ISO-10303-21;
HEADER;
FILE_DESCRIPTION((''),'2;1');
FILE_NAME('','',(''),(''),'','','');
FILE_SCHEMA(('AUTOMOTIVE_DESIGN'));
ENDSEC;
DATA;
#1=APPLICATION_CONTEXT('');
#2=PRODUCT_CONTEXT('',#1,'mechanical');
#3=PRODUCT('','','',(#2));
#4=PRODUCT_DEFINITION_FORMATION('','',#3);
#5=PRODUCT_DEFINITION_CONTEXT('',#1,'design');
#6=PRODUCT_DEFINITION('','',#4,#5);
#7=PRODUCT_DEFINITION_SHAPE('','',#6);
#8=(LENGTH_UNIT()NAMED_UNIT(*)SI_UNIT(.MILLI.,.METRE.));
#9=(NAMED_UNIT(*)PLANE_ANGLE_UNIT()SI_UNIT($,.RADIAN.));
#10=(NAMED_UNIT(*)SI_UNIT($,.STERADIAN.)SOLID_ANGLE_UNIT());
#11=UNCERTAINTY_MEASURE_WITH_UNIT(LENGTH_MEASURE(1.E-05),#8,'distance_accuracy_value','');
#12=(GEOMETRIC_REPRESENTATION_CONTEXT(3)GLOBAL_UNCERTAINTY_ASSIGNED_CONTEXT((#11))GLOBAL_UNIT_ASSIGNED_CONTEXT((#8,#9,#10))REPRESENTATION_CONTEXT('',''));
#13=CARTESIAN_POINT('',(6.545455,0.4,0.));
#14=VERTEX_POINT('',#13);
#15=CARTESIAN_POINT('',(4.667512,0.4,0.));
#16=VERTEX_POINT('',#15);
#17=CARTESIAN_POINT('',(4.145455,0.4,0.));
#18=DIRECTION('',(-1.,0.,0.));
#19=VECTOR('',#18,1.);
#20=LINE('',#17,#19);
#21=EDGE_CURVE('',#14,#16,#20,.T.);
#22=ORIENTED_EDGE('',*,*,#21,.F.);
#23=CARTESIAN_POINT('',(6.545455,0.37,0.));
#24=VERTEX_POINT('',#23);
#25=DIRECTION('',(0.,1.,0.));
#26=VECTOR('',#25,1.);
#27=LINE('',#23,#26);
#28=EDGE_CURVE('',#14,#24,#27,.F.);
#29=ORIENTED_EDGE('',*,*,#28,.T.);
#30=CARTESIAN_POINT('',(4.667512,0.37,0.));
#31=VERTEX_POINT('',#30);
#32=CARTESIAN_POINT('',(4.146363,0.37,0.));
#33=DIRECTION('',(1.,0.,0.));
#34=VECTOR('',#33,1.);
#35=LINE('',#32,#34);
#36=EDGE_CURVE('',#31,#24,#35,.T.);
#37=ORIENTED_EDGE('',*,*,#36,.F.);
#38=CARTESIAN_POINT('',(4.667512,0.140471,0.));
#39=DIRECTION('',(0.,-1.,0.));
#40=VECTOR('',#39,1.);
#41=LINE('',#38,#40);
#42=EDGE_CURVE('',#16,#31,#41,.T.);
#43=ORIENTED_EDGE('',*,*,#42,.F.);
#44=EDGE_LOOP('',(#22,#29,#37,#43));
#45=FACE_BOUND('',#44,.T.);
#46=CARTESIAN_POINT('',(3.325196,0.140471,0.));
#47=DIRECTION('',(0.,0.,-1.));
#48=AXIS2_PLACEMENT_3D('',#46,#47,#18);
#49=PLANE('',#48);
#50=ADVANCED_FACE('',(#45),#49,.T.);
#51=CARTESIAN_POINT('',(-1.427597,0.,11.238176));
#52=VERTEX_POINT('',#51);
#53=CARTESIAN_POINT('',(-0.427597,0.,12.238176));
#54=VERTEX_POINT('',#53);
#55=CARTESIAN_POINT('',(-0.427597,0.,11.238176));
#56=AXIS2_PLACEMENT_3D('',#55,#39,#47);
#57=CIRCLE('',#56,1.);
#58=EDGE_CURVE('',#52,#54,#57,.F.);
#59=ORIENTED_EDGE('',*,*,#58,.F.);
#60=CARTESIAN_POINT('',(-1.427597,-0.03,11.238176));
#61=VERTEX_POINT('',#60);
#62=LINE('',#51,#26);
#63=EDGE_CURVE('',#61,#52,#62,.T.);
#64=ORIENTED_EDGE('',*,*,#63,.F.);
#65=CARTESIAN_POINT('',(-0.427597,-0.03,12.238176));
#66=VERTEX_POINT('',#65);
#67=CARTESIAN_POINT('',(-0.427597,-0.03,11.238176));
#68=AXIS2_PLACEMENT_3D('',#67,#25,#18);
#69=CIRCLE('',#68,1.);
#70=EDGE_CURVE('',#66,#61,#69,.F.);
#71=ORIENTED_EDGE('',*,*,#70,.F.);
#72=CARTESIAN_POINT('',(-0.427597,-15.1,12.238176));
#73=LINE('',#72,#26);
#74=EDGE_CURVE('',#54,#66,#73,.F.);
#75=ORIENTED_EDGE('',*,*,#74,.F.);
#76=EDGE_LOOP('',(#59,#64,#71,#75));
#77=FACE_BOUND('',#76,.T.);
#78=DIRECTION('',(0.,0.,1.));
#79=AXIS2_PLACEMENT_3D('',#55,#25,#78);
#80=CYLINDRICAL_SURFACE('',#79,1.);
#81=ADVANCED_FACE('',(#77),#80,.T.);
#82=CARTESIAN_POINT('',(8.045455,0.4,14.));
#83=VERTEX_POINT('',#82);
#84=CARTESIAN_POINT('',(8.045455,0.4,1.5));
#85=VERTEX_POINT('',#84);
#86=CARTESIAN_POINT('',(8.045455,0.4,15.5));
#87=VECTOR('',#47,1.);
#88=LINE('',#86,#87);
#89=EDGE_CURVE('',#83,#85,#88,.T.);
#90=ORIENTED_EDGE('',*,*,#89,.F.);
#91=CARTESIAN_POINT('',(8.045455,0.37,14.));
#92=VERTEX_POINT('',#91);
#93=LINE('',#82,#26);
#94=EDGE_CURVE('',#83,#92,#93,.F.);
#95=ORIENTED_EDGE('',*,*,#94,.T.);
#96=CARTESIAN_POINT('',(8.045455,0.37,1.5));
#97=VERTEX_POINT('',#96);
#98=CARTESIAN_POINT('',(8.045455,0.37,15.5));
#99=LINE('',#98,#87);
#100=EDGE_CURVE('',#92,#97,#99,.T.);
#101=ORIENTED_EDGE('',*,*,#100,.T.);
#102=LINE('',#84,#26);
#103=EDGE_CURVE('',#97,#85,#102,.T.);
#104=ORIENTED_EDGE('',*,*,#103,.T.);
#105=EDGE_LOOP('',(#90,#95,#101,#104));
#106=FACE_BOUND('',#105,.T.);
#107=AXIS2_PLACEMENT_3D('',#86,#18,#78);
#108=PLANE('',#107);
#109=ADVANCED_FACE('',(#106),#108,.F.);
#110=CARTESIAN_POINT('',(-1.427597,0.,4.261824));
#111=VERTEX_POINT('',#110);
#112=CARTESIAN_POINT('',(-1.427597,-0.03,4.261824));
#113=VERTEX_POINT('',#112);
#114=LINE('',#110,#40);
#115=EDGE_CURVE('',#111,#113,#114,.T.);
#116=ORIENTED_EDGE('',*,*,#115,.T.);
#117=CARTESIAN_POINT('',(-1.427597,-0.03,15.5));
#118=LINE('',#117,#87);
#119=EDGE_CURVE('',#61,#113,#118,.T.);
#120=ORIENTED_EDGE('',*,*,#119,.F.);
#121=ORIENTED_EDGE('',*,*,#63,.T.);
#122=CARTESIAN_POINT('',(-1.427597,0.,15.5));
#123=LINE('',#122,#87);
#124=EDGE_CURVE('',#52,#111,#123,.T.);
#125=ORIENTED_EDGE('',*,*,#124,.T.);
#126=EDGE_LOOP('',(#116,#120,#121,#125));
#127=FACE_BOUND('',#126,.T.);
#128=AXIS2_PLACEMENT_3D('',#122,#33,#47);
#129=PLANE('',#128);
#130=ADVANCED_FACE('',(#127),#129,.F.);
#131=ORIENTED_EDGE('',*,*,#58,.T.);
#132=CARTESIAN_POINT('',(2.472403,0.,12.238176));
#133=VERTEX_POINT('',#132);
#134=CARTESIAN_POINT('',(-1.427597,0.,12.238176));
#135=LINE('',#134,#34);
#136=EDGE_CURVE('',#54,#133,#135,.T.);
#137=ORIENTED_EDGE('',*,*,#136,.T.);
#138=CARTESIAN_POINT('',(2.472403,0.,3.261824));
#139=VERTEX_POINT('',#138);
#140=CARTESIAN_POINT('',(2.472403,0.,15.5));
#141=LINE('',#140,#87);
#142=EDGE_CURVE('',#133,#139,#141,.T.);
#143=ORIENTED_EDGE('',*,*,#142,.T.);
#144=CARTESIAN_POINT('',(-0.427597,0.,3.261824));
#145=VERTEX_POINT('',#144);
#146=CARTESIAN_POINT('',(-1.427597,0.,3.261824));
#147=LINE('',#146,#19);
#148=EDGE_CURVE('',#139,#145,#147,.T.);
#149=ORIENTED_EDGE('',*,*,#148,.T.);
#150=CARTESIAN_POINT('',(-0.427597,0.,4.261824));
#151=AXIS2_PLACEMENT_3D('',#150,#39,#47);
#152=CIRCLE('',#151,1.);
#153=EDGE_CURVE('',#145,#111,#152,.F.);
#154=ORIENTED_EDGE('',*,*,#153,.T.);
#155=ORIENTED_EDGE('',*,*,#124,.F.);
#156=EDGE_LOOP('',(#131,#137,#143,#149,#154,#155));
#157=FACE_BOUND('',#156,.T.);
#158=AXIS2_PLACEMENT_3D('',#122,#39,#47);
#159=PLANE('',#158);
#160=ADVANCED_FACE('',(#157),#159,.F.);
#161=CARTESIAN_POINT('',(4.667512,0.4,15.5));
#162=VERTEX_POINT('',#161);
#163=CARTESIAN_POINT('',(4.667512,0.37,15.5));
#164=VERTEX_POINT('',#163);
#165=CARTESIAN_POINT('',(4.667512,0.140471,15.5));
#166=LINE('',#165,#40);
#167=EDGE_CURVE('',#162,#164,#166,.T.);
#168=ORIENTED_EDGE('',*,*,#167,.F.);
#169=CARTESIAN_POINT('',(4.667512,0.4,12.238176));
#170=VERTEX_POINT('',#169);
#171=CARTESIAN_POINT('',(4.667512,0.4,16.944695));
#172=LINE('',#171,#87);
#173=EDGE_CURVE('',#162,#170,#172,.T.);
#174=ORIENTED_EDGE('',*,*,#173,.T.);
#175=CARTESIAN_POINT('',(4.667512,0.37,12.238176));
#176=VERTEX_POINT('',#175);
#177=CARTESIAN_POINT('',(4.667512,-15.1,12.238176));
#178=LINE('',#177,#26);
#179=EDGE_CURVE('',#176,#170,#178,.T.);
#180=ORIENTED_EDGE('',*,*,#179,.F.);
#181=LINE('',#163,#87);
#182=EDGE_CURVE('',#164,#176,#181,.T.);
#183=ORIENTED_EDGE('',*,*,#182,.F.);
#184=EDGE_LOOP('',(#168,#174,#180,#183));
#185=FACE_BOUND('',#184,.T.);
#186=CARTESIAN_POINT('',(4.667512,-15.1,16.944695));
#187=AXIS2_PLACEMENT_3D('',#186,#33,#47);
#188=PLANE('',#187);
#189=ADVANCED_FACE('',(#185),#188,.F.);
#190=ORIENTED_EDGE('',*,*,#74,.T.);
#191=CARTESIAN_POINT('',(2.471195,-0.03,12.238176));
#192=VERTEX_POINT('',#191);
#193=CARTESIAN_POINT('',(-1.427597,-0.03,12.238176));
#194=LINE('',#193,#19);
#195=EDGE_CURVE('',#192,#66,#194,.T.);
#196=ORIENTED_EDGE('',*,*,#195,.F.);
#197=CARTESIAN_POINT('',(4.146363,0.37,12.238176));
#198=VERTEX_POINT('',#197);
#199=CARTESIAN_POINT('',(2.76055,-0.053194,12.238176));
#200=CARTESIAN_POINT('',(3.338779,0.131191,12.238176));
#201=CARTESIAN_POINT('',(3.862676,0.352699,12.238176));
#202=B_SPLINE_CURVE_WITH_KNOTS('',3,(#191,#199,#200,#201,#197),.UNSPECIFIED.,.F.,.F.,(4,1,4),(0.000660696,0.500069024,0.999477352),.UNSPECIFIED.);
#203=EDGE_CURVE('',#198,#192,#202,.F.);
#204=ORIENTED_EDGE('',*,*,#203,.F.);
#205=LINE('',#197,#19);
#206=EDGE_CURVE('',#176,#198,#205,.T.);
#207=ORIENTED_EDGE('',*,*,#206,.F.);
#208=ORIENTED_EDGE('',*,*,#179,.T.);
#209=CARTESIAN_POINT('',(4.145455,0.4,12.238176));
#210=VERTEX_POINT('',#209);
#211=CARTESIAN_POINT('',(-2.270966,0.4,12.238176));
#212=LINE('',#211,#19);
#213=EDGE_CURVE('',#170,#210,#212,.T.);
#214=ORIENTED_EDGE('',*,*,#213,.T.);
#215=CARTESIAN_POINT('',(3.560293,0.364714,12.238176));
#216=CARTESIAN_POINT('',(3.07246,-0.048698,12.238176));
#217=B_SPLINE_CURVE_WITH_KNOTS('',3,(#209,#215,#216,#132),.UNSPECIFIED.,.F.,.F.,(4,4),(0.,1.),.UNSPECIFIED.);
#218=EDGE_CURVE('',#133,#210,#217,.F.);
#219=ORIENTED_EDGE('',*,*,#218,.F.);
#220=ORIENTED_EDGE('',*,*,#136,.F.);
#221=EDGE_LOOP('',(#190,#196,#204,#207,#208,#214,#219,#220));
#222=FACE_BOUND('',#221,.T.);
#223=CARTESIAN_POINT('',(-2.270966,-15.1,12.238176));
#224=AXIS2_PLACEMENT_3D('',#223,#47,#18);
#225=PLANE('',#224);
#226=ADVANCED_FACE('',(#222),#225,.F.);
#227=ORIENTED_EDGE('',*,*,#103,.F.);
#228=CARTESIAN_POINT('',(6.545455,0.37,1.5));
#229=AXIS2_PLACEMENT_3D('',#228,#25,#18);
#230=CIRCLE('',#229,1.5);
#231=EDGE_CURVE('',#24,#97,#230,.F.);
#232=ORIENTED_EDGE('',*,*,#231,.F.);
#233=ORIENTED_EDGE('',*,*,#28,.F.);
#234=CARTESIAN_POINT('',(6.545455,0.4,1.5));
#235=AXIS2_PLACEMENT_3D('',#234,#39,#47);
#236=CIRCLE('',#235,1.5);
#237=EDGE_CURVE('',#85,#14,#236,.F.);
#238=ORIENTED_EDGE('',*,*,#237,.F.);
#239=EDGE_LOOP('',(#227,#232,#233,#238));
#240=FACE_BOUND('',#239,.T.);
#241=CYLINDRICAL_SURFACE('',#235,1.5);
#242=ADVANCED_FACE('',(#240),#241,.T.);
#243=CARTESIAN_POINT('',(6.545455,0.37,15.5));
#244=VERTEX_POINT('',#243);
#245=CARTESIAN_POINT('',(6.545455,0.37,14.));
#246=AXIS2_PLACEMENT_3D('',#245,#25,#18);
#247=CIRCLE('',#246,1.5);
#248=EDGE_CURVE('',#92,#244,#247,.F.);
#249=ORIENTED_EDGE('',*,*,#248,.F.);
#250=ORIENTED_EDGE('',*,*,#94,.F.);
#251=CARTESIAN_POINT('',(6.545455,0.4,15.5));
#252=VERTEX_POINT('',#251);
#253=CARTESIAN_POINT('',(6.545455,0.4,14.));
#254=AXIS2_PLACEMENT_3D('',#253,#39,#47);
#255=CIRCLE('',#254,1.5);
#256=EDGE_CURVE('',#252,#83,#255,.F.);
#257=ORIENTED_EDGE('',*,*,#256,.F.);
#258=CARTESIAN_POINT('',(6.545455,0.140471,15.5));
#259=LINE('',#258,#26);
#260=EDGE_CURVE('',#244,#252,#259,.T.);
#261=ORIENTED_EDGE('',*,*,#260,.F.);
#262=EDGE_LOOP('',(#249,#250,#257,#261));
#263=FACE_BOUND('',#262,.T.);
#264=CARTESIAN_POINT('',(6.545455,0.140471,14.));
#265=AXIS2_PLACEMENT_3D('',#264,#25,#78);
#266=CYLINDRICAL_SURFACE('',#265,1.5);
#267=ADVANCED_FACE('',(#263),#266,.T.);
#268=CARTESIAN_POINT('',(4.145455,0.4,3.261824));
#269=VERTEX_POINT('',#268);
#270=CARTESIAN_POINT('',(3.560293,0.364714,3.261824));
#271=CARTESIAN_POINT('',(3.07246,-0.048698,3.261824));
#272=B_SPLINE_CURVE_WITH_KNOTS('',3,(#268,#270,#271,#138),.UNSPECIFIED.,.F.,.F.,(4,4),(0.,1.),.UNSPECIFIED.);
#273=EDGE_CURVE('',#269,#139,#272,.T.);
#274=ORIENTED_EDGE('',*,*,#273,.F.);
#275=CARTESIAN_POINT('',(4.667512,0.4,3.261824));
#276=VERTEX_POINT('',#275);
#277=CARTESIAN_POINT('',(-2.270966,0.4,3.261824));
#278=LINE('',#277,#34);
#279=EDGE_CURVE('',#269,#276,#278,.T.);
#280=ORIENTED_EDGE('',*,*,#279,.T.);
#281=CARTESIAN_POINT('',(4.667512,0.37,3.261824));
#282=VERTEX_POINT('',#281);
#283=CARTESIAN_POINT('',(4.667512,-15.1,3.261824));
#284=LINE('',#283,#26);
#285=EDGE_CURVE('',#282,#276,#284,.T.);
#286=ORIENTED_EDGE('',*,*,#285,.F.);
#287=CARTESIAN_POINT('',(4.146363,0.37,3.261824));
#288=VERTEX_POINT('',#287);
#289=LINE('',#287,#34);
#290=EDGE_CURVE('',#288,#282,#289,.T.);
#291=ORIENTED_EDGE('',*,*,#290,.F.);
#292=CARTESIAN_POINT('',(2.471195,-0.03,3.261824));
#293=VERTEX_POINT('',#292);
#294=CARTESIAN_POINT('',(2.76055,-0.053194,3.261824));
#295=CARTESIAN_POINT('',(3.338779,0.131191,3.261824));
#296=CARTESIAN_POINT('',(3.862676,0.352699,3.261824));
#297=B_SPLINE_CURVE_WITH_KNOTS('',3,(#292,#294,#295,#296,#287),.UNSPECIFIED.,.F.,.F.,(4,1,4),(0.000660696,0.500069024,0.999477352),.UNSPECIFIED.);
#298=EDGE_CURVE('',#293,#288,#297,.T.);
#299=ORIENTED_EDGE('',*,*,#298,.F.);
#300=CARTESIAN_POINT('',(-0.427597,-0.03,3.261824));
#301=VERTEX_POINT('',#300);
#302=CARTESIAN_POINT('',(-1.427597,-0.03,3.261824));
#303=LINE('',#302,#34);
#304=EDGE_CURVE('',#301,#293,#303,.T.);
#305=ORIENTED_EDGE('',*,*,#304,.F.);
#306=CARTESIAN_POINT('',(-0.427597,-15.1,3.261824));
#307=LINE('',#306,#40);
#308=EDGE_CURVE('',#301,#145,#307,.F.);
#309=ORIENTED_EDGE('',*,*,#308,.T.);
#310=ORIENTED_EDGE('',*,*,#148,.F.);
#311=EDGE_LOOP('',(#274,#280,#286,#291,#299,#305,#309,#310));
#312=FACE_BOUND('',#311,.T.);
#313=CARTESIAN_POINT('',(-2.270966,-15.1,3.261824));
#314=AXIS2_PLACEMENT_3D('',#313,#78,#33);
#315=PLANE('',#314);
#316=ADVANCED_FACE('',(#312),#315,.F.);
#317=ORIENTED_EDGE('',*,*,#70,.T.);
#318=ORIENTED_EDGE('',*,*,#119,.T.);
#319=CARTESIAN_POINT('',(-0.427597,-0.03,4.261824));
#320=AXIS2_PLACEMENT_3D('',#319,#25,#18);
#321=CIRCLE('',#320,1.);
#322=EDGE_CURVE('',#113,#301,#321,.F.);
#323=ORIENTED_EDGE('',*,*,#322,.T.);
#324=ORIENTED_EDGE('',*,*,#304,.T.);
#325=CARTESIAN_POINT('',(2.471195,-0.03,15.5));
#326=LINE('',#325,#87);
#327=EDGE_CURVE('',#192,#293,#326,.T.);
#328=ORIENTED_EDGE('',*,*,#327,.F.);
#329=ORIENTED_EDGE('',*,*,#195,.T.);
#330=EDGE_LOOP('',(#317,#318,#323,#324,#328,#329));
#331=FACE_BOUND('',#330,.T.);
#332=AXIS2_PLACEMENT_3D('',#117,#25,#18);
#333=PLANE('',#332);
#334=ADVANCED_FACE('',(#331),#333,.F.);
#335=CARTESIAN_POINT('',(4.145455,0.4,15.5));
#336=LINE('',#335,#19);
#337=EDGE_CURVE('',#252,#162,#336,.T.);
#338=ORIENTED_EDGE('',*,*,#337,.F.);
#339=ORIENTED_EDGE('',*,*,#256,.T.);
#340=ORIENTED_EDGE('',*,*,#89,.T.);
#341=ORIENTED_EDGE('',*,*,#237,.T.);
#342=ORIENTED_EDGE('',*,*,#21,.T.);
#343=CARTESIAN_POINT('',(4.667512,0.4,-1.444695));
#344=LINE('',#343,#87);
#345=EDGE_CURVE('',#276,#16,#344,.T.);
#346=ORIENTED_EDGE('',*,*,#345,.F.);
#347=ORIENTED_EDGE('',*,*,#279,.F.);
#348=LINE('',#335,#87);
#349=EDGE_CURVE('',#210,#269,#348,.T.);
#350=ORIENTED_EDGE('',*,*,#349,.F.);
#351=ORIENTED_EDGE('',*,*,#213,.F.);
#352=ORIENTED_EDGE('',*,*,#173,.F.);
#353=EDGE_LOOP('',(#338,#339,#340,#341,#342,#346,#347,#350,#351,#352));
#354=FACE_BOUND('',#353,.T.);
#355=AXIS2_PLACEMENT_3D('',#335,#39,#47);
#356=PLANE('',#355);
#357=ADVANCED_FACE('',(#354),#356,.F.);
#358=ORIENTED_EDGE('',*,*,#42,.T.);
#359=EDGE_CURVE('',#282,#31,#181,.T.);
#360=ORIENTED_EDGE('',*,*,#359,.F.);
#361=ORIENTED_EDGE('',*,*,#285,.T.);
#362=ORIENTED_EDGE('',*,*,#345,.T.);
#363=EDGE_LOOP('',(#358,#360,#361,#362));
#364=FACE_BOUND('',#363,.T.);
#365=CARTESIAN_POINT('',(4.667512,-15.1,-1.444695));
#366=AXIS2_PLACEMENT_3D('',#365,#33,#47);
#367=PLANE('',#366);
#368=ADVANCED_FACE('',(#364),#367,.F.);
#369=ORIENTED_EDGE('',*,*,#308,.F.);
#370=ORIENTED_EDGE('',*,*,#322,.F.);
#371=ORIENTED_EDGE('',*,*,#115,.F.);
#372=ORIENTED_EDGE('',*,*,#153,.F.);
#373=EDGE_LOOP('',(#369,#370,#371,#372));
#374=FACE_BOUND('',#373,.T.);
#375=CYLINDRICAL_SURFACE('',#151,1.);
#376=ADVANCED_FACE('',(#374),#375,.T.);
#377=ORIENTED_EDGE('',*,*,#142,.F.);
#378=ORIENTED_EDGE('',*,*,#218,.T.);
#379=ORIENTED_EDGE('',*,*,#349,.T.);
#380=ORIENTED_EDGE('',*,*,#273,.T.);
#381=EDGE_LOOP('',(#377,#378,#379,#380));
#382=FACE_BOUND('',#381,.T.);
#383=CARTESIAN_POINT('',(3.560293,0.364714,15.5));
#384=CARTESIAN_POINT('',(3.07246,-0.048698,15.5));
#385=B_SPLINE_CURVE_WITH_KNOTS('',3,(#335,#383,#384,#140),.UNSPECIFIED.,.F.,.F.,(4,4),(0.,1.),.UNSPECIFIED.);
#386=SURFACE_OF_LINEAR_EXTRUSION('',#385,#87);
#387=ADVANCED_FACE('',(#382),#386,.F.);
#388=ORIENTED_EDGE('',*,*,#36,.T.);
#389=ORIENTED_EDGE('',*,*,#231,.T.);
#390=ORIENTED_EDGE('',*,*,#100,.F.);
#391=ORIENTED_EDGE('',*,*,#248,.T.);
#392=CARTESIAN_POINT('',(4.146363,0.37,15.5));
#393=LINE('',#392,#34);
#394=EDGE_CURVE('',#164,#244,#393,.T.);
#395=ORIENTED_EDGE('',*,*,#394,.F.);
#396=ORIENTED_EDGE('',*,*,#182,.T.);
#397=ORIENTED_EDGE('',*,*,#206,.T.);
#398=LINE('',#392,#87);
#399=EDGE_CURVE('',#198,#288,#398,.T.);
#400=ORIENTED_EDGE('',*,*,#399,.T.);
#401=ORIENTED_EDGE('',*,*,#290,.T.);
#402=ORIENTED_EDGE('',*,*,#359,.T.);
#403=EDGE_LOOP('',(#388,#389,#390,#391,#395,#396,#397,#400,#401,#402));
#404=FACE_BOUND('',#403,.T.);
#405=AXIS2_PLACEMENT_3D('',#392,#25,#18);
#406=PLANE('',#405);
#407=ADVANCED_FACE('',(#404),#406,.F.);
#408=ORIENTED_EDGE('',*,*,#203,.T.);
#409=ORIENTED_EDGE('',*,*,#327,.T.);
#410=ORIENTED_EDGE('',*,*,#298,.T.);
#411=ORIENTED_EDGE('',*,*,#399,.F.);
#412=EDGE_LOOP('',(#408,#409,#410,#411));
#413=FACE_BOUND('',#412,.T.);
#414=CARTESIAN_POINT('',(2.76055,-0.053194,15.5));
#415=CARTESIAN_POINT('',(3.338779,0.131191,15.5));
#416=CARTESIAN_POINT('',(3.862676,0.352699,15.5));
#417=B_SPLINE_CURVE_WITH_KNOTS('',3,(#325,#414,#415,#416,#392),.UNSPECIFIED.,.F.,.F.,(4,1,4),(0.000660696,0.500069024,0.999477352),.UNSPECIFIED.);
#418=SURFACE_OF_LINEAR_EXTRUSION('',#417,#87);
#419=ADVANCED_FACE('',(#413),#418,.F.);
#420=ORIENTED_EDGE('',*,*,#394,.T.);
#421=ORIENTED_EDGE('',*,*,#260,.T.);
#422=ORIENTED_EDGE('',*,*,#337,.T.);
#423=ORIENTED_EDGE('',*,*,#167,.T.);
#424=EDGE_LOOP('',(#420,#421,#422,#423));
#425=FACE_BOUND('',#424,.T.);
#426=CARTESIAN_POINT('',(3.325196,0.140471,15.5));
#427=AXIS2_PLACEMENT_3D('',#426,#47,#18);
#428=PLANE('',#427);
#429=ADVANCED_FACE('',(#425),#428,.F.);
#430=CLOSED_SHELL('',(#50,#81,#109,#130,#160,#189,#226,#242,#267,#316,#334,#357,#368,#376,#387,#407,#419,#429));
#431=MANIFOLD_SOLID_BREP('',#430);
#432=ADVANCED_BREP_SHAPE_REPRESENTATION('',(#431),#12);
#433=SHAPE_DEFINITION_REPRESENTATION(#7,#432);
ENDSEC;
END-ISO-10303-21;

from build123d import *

# Parameters (mm, degrees)
BOSS_EXTRUDE1_DEPTH = 15.5
FILLET1_R           = 1.5
SKETCH3_W           = 6.938477294
SKETCH3_H           = 4.706519562
CUT_EXTRUDE2_DEPTH  = 15.5
FILLET2_R           = 1


with BuildPart() as part:
    # Sketch1 → Boss-Extrude1 (new body)
    with BuildSketch(Plane.XY):
        with BuildLine():
            Line((-1.427597117, 0), (2.472402883, 0))
            add(Edge.make_bspline(
                [(2.472402883, 0), (3.072460434, -0.048698197), (3.560293386, 0.364713913), (4.145454545, 0.4)],
                knots=[0, 0, 0, 0, 1, 1, 1, 1], degree=3))
            Line((4.145454545, 0.4), (8.045454545, 0.4))
            Line((8.045454545, 0.4), (8.045454545, 0.37))
            Line((8.045454545, 0.37), (4.146363347, 0.37))
            add(Edge.make_bspline(
                [(2.471195031, -0.03), (2.760549874, -0.053194299), (3.338778541, 0.131190612), (3.862676211, 0.35269873), (4.146363347, 0.37)],
                knots=[0.000660696, 0.000660696, 0.000660696, 0.000660696, 0.500069024, 0.999477352, 0.999477352, 0.999477352, 0.999477352], degree=3))
            Line((2.471195031, -0.03), (-1.427597117, -0.03))
            Line((-1.427597117, -0.03), (-1.427597117, 0))
        make_face()
    extrude(amount=BOSS_EXTRUDE1_DEPTH)

    # Fillet1
    fillet1_edges = [part.edges().sort_by_distance(p)[0] for p in [
        (8.045454545, 0.385, 15.5),
        (8.045454545, 0.385, 0),
    ]]
    fillet(fillet1_edges, radius=FILLET1_R)

    # Sketch3 → Cut-Extrude2 (cut)
    with BuildSketch(Plane(origin=(0, 0.4, 0), x_dir=(1, 0, 0), z_dir=(0, 1, 0))):
        with Locations((1.198273034, -0.908564347)):
            Rectangle(SKETCH3_W, SKETCH3_H)
        with Locations((1.198273034, -14.591435653)):
            Rectangle(SKETCH3_W, SKETCH3_H)
    extrude(amount=-CUT_EXTRUDE2_DEPTH, mode=Mode.SUBTRACT)

    # Fillet2
    fillet2_edges = [part.edges().sort_by_distance(p)[0] for p in [
        (-1.427597117, -0.015, 3.261824128),
        (-1.427597117, -0.015, 12.238175872),
    ]]
    fillet(fillet2_edges, radius=FILLET2_R)


solid = part.part
